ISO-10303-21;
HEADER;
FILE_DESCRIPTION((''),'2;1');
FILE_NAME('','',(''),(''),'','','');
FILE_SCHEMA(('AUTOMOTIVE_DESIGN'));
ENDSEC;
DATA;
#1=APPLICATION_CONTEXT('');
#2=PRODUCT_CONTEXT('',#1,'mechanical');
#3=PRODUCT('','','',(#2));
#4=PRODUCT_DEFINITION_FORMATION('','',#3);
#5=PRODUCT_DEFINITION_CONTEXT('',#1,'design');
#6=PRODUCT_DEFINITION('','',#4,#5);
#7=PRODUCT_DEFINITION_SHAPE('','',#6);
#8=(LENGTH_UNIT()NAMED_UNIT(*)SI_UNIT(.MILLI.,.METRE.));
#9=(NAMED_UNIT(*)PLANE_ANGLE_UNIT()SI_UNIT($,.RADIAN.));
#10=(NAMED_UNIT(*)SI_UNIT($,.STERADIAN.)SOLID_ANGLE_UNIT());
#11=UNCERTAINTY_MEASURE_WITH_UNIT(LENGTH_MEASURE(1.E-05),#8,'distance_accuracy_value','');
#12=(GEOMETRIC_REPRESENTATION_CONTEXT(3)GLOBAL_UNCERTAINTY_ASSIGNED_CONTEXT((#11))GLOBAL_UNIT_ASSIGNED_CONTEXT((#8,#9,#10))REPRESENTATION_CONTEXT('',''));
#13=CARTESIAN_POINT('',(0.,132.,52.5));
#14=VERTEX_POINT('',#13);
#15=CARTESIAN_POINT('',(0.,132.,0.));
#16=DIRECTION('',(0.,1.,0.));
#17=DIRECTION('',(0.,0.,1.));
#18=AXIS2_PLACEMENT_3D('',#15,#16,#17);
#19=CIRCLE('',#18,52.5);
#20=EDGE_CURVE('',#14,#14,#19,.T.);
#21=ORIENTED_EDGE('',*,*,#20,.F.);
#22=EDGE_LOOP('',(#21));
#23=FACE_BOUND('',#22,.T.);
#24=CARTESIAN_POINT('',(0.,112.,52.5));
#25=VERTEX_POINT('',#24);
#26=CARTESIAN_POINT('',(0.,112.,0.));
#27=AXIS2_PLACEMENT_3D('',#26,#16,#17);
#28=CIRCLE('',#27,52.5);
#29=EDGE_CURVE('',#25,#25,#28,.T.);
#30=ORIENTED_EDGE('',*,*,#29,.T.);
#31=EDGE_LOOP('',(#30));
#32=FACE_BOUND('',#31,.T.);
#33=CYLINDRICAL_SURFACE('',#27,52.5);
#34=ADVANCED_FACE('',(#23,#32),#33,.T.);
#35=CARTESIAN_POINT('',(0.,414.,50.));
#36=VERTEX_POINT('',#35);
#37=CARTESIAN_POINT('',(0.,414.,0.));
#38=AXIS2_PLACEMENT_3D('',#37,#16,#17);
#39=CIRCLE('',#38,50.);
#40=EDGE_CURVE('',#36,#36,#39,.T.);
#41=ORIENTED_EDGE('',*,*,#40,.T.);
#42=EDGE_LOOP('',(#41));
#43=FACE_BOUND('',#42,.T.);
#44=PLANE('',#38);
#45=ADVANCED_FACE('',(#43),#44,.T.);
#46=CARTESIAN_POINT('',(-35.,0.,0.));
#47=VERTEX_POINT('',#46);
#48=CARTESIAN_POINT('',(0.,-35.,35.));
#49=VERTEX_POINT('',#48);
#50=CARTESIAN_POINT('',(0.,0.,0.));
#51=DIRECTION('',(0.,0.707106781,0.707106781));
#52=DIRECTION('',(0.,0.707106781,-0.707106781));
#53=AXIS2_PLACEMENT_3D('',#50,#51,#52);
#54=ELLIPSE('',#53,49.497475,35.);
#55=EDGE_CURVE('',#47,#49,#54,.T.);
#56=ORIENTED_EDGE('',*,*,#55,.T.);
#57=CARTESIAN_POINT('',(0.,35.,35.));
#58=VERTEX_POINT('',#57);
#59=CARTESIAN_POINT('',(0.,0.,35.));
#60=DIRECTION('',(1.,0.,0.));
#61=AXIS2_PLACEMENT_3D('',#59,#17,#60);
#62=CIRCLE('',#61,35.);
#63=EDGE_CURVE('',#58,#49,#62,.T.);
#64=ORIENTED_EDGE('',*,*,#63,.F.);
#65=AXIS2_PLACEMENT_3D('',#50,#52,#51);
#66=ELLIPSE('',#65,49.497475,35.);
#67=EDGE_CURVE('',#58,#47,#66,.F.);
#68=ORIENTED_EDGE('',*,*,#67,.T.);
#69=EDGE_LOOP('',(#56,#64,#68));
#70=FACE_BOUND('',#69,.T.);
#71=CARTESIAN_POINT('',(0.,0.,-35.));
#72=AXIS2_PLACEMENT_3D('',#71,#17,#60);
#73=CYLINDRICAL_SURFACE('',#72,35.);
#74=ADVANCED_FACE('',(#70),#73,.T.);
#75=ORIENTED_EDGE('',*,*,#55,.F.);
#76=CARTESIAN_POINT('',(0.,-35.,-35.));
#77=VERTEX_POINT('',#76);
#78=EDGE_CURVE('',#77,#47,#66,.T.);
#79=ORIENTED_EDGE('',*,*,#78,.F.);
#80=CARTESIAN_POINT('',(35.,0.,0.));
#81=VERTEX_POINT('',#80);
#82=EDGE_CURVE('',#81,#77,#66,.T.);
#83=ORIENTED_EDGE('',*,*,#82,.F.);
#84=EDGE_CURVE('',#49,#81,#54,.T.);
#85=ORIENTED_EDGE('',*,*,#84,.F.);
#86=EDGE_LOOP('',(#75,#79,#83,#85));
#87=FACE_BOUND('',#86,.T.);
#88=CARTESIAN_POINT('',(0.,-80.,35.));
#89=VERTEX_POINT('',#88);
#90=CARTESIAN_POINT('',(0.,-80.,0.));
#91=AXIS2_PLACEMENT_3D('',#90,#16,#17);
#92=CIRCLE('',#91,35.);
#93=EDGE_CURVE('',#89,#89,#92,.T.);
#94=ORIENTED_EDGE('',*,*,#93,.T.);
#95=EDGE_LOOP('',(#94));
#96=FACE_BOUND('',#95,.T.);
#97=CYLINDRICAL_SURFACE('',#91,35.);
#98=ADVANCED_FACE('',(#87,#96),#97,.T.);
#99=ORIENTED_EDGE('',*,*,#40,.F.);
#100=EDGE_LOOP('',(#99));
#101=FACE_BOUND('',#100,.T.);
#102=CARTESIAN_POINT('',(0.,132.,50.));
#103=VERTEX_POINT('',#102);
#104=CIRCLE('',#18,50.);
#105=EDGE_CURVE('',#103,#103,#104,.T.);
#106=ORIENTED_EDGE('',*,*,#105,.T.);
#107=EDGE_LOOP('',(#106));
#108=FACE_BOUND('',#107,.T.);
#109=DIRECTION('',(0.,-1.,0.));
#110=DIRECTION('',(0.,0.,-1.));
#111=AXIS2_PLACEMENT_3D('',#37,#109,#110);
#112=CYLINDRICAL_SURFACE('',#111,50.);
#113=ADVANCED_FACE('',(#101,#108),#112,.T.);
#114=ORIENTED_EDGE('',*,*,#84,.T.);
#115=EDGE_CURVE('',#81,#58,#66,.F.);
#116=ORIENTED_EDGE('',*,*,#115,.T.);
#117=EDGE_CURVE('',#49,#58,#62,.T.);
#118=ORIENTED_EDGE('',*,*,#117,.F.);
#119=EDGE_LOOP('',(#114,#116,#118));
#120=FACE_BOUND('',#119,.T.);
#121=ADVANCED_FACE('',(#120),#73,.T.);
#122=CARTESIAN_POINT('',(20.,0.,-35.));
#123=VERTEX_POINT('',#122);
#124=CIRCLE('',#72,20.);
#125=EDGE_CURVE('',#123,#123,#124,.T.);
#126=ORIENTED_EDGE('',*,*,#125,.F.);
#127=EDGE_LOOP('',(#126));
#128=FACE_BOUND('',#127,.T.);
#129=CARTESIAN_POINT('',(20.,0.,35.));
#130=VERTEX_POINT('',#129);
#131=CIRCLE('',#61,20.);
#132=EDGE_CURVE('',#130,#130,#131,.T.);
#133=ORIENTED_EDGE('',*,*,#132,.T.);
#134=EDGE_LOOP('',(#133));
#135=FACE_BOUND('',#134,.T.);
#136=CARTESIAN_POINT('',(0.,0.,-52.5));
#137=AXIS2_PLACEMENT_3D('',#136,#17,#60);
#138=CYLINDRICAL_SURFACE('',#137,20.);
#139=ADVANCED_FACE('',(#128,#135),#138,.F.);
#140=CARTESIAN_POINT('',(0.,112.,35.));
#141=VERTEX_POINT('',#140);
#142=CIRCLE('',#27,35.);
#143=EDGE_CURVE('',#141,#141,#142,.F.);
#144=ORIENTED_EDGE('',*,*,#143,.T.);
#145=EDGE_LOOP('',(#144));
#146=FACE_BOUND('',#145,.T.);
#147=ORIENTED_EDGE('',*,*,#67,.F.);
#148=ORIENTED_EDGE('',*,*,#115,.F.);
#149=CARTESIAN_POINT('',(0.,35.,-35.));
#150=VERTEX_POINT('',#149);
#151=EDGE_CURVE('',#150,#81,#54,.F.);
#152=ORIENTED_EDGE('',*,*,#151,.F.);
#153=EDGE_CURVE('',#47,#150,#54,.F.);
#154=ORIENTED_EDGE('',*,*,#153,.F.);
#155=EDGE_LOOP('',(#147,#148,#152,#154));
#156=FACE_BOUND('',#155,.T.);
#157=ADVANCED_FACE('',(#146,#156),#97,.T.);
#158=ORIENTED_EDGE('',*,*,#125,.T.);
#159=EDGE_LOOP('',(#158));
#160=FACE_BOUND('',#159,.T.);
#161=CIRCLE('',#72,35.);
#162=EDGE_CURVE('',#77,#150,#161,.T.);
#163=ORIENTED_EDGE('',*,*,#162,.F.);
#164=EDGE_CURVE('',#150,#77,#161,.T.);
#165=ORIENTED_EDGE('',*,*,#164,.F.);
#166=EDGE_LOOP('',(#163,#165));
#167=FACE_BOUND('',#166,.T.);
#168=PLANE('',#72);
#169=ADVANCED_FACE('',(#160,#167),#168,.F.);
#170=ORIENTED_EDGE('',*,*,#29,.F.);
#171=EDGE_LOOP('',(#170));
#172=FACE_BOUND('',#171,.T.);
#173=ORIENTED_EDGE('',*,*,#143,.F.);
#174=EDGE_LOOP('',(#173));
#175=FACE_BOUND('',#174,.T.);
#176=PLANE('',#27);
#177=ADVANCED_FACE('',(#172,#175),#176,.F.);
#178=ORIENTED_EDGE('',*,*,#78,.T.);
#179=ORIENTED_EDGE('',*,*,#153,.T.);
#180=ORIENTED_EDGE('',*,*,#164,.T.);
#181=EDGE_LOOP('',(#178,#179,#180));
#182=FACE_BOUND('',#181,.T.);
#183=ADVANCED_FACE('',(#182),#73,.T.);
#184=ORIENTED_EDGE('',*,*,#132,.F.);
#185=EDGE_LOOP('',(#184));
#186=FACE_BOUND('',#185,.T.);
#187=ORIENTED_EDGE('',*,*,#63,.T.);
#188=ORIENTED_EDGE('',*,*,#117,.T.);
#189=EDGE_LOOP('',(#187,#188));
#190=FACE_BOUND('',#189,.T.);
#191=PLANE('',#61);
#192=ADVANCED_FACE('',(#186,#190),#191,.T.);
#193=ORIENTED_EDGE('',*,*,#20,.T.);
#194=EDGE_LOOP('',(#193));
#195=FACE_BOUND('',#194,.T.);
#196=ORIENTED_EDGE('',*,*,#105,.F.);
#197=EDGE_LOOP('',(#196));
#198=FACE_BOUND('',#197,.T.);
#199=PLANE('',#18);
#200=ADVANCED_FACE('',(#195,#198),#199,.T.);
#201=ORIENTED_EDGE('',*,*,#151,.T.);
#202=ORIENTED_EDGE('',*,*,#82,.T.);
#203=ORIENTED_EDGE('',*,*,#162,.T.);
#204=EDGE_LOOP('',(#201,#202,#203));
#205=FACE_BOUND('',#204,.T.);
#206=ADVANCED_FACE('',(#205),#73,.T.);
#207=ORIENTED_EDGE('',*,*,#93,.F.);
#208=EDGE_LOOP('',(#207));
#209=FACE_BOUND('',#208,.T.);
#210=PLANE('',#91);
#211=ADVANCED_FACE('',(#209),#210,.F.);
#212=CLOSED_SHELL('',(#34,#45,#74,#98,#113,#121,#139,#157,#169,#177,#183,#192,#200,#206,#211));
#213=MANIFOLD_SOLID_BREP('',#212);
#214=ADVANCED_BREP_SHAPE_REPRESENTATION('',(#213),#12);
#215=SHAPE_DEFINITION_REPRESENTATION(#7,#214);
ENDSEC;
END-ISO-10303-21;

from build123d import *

# Parameters (mm, degrees)
BOSS_EXTRUDE1_DEPTH      = 132
BOSS_EXTRUDE1_DEPTH_BACK = 80
SKETCH1_R                = 35
BOSS_EXTRUDE2_DEPTH      = 35
BOSS_EXTRUDE2_DEPTH_BACK = 35
SKETCH2_R                = 35
SKETCH3_R                = 52.5
BOSS_EXTRUDE3_DEPTH      = 20
SKETCH4_R                = 50
BOSS_EXTRUDE4_DEPTH      = 282
CUT_EXTRUDE1_DEPTH       = 427.390079622
CUT_EXTRUDE1_DEPTH_BACK  = 427.390079622
SKETCH5_R                = 20


with BuildPart() as part:
    # Sketch1 → Boss-Extrude1 (new, two sides: drawn at the far end of the back side and taken through both)
    with BuildSketch(Plane(origin=(0, 0, 0), x_dir=(1, 0, 0), z_dir=(0, 1, 0)).offset(-BOSS_EXTRUDE1_DEPTH_BACK)):
        Circle(SKETCH1_R)
    extrude(amount=BOSS_EXTRUDE1_DEPTH + BOSS_EXTRUDE1_DEPTH_BACK)

    # Sketch2 → Boss-Extrude2 (add, two sides: drawn at the far end of the back side and taken through both)
    with BuildSketch(Plane.XY.offset(-BOSS_EXTRUDE2_DEPTH_BACK)):
        Circle(SKETCH2_R)
    extrude(amount=BOSS_EXTRUDE2_DEPTH + BOSS_EXTRUDE2_DEPTH_BACK)

    # Sketch3 → Boss-Extrude3 (add)
    with BuildSketch(Plane(origin=(0, 132, 0), x_dir=(1, 0, 0), z_dir=(0, 1, 0))):
        Circle(SKETCH3_R)
    extrude(amount=-BOSS_EXTRUDE3_DEPTH)

    # Sketch4 → Boss-Extrude4 (add)
    with BuildSketch(Plane(origin=(0, 132, 0), x_dir=(1, 0, 0), z_dir=(0, 1, 0))):
        Circle(SKETCH4_R)
    extrude(amount=BOSS_EXTRUDE4_DEPTH)

    # Sketch5 → Cut-Extrude1 (cut, two sides: drawn at the far end of the back side and taken through both)
    with BuildSketch(Plane.XY.offset(35).offset(-CUT_EXTRUDE1_DEPTH_BACK)):
        Circle(SKETCH5_R)
    extrude(amount=CUT_EXTRUDE1_DEPTH + CUT_EXTRUDE1_DEPTH_BACK, mode=Mode.SUBTRACT)


solid = part.part
